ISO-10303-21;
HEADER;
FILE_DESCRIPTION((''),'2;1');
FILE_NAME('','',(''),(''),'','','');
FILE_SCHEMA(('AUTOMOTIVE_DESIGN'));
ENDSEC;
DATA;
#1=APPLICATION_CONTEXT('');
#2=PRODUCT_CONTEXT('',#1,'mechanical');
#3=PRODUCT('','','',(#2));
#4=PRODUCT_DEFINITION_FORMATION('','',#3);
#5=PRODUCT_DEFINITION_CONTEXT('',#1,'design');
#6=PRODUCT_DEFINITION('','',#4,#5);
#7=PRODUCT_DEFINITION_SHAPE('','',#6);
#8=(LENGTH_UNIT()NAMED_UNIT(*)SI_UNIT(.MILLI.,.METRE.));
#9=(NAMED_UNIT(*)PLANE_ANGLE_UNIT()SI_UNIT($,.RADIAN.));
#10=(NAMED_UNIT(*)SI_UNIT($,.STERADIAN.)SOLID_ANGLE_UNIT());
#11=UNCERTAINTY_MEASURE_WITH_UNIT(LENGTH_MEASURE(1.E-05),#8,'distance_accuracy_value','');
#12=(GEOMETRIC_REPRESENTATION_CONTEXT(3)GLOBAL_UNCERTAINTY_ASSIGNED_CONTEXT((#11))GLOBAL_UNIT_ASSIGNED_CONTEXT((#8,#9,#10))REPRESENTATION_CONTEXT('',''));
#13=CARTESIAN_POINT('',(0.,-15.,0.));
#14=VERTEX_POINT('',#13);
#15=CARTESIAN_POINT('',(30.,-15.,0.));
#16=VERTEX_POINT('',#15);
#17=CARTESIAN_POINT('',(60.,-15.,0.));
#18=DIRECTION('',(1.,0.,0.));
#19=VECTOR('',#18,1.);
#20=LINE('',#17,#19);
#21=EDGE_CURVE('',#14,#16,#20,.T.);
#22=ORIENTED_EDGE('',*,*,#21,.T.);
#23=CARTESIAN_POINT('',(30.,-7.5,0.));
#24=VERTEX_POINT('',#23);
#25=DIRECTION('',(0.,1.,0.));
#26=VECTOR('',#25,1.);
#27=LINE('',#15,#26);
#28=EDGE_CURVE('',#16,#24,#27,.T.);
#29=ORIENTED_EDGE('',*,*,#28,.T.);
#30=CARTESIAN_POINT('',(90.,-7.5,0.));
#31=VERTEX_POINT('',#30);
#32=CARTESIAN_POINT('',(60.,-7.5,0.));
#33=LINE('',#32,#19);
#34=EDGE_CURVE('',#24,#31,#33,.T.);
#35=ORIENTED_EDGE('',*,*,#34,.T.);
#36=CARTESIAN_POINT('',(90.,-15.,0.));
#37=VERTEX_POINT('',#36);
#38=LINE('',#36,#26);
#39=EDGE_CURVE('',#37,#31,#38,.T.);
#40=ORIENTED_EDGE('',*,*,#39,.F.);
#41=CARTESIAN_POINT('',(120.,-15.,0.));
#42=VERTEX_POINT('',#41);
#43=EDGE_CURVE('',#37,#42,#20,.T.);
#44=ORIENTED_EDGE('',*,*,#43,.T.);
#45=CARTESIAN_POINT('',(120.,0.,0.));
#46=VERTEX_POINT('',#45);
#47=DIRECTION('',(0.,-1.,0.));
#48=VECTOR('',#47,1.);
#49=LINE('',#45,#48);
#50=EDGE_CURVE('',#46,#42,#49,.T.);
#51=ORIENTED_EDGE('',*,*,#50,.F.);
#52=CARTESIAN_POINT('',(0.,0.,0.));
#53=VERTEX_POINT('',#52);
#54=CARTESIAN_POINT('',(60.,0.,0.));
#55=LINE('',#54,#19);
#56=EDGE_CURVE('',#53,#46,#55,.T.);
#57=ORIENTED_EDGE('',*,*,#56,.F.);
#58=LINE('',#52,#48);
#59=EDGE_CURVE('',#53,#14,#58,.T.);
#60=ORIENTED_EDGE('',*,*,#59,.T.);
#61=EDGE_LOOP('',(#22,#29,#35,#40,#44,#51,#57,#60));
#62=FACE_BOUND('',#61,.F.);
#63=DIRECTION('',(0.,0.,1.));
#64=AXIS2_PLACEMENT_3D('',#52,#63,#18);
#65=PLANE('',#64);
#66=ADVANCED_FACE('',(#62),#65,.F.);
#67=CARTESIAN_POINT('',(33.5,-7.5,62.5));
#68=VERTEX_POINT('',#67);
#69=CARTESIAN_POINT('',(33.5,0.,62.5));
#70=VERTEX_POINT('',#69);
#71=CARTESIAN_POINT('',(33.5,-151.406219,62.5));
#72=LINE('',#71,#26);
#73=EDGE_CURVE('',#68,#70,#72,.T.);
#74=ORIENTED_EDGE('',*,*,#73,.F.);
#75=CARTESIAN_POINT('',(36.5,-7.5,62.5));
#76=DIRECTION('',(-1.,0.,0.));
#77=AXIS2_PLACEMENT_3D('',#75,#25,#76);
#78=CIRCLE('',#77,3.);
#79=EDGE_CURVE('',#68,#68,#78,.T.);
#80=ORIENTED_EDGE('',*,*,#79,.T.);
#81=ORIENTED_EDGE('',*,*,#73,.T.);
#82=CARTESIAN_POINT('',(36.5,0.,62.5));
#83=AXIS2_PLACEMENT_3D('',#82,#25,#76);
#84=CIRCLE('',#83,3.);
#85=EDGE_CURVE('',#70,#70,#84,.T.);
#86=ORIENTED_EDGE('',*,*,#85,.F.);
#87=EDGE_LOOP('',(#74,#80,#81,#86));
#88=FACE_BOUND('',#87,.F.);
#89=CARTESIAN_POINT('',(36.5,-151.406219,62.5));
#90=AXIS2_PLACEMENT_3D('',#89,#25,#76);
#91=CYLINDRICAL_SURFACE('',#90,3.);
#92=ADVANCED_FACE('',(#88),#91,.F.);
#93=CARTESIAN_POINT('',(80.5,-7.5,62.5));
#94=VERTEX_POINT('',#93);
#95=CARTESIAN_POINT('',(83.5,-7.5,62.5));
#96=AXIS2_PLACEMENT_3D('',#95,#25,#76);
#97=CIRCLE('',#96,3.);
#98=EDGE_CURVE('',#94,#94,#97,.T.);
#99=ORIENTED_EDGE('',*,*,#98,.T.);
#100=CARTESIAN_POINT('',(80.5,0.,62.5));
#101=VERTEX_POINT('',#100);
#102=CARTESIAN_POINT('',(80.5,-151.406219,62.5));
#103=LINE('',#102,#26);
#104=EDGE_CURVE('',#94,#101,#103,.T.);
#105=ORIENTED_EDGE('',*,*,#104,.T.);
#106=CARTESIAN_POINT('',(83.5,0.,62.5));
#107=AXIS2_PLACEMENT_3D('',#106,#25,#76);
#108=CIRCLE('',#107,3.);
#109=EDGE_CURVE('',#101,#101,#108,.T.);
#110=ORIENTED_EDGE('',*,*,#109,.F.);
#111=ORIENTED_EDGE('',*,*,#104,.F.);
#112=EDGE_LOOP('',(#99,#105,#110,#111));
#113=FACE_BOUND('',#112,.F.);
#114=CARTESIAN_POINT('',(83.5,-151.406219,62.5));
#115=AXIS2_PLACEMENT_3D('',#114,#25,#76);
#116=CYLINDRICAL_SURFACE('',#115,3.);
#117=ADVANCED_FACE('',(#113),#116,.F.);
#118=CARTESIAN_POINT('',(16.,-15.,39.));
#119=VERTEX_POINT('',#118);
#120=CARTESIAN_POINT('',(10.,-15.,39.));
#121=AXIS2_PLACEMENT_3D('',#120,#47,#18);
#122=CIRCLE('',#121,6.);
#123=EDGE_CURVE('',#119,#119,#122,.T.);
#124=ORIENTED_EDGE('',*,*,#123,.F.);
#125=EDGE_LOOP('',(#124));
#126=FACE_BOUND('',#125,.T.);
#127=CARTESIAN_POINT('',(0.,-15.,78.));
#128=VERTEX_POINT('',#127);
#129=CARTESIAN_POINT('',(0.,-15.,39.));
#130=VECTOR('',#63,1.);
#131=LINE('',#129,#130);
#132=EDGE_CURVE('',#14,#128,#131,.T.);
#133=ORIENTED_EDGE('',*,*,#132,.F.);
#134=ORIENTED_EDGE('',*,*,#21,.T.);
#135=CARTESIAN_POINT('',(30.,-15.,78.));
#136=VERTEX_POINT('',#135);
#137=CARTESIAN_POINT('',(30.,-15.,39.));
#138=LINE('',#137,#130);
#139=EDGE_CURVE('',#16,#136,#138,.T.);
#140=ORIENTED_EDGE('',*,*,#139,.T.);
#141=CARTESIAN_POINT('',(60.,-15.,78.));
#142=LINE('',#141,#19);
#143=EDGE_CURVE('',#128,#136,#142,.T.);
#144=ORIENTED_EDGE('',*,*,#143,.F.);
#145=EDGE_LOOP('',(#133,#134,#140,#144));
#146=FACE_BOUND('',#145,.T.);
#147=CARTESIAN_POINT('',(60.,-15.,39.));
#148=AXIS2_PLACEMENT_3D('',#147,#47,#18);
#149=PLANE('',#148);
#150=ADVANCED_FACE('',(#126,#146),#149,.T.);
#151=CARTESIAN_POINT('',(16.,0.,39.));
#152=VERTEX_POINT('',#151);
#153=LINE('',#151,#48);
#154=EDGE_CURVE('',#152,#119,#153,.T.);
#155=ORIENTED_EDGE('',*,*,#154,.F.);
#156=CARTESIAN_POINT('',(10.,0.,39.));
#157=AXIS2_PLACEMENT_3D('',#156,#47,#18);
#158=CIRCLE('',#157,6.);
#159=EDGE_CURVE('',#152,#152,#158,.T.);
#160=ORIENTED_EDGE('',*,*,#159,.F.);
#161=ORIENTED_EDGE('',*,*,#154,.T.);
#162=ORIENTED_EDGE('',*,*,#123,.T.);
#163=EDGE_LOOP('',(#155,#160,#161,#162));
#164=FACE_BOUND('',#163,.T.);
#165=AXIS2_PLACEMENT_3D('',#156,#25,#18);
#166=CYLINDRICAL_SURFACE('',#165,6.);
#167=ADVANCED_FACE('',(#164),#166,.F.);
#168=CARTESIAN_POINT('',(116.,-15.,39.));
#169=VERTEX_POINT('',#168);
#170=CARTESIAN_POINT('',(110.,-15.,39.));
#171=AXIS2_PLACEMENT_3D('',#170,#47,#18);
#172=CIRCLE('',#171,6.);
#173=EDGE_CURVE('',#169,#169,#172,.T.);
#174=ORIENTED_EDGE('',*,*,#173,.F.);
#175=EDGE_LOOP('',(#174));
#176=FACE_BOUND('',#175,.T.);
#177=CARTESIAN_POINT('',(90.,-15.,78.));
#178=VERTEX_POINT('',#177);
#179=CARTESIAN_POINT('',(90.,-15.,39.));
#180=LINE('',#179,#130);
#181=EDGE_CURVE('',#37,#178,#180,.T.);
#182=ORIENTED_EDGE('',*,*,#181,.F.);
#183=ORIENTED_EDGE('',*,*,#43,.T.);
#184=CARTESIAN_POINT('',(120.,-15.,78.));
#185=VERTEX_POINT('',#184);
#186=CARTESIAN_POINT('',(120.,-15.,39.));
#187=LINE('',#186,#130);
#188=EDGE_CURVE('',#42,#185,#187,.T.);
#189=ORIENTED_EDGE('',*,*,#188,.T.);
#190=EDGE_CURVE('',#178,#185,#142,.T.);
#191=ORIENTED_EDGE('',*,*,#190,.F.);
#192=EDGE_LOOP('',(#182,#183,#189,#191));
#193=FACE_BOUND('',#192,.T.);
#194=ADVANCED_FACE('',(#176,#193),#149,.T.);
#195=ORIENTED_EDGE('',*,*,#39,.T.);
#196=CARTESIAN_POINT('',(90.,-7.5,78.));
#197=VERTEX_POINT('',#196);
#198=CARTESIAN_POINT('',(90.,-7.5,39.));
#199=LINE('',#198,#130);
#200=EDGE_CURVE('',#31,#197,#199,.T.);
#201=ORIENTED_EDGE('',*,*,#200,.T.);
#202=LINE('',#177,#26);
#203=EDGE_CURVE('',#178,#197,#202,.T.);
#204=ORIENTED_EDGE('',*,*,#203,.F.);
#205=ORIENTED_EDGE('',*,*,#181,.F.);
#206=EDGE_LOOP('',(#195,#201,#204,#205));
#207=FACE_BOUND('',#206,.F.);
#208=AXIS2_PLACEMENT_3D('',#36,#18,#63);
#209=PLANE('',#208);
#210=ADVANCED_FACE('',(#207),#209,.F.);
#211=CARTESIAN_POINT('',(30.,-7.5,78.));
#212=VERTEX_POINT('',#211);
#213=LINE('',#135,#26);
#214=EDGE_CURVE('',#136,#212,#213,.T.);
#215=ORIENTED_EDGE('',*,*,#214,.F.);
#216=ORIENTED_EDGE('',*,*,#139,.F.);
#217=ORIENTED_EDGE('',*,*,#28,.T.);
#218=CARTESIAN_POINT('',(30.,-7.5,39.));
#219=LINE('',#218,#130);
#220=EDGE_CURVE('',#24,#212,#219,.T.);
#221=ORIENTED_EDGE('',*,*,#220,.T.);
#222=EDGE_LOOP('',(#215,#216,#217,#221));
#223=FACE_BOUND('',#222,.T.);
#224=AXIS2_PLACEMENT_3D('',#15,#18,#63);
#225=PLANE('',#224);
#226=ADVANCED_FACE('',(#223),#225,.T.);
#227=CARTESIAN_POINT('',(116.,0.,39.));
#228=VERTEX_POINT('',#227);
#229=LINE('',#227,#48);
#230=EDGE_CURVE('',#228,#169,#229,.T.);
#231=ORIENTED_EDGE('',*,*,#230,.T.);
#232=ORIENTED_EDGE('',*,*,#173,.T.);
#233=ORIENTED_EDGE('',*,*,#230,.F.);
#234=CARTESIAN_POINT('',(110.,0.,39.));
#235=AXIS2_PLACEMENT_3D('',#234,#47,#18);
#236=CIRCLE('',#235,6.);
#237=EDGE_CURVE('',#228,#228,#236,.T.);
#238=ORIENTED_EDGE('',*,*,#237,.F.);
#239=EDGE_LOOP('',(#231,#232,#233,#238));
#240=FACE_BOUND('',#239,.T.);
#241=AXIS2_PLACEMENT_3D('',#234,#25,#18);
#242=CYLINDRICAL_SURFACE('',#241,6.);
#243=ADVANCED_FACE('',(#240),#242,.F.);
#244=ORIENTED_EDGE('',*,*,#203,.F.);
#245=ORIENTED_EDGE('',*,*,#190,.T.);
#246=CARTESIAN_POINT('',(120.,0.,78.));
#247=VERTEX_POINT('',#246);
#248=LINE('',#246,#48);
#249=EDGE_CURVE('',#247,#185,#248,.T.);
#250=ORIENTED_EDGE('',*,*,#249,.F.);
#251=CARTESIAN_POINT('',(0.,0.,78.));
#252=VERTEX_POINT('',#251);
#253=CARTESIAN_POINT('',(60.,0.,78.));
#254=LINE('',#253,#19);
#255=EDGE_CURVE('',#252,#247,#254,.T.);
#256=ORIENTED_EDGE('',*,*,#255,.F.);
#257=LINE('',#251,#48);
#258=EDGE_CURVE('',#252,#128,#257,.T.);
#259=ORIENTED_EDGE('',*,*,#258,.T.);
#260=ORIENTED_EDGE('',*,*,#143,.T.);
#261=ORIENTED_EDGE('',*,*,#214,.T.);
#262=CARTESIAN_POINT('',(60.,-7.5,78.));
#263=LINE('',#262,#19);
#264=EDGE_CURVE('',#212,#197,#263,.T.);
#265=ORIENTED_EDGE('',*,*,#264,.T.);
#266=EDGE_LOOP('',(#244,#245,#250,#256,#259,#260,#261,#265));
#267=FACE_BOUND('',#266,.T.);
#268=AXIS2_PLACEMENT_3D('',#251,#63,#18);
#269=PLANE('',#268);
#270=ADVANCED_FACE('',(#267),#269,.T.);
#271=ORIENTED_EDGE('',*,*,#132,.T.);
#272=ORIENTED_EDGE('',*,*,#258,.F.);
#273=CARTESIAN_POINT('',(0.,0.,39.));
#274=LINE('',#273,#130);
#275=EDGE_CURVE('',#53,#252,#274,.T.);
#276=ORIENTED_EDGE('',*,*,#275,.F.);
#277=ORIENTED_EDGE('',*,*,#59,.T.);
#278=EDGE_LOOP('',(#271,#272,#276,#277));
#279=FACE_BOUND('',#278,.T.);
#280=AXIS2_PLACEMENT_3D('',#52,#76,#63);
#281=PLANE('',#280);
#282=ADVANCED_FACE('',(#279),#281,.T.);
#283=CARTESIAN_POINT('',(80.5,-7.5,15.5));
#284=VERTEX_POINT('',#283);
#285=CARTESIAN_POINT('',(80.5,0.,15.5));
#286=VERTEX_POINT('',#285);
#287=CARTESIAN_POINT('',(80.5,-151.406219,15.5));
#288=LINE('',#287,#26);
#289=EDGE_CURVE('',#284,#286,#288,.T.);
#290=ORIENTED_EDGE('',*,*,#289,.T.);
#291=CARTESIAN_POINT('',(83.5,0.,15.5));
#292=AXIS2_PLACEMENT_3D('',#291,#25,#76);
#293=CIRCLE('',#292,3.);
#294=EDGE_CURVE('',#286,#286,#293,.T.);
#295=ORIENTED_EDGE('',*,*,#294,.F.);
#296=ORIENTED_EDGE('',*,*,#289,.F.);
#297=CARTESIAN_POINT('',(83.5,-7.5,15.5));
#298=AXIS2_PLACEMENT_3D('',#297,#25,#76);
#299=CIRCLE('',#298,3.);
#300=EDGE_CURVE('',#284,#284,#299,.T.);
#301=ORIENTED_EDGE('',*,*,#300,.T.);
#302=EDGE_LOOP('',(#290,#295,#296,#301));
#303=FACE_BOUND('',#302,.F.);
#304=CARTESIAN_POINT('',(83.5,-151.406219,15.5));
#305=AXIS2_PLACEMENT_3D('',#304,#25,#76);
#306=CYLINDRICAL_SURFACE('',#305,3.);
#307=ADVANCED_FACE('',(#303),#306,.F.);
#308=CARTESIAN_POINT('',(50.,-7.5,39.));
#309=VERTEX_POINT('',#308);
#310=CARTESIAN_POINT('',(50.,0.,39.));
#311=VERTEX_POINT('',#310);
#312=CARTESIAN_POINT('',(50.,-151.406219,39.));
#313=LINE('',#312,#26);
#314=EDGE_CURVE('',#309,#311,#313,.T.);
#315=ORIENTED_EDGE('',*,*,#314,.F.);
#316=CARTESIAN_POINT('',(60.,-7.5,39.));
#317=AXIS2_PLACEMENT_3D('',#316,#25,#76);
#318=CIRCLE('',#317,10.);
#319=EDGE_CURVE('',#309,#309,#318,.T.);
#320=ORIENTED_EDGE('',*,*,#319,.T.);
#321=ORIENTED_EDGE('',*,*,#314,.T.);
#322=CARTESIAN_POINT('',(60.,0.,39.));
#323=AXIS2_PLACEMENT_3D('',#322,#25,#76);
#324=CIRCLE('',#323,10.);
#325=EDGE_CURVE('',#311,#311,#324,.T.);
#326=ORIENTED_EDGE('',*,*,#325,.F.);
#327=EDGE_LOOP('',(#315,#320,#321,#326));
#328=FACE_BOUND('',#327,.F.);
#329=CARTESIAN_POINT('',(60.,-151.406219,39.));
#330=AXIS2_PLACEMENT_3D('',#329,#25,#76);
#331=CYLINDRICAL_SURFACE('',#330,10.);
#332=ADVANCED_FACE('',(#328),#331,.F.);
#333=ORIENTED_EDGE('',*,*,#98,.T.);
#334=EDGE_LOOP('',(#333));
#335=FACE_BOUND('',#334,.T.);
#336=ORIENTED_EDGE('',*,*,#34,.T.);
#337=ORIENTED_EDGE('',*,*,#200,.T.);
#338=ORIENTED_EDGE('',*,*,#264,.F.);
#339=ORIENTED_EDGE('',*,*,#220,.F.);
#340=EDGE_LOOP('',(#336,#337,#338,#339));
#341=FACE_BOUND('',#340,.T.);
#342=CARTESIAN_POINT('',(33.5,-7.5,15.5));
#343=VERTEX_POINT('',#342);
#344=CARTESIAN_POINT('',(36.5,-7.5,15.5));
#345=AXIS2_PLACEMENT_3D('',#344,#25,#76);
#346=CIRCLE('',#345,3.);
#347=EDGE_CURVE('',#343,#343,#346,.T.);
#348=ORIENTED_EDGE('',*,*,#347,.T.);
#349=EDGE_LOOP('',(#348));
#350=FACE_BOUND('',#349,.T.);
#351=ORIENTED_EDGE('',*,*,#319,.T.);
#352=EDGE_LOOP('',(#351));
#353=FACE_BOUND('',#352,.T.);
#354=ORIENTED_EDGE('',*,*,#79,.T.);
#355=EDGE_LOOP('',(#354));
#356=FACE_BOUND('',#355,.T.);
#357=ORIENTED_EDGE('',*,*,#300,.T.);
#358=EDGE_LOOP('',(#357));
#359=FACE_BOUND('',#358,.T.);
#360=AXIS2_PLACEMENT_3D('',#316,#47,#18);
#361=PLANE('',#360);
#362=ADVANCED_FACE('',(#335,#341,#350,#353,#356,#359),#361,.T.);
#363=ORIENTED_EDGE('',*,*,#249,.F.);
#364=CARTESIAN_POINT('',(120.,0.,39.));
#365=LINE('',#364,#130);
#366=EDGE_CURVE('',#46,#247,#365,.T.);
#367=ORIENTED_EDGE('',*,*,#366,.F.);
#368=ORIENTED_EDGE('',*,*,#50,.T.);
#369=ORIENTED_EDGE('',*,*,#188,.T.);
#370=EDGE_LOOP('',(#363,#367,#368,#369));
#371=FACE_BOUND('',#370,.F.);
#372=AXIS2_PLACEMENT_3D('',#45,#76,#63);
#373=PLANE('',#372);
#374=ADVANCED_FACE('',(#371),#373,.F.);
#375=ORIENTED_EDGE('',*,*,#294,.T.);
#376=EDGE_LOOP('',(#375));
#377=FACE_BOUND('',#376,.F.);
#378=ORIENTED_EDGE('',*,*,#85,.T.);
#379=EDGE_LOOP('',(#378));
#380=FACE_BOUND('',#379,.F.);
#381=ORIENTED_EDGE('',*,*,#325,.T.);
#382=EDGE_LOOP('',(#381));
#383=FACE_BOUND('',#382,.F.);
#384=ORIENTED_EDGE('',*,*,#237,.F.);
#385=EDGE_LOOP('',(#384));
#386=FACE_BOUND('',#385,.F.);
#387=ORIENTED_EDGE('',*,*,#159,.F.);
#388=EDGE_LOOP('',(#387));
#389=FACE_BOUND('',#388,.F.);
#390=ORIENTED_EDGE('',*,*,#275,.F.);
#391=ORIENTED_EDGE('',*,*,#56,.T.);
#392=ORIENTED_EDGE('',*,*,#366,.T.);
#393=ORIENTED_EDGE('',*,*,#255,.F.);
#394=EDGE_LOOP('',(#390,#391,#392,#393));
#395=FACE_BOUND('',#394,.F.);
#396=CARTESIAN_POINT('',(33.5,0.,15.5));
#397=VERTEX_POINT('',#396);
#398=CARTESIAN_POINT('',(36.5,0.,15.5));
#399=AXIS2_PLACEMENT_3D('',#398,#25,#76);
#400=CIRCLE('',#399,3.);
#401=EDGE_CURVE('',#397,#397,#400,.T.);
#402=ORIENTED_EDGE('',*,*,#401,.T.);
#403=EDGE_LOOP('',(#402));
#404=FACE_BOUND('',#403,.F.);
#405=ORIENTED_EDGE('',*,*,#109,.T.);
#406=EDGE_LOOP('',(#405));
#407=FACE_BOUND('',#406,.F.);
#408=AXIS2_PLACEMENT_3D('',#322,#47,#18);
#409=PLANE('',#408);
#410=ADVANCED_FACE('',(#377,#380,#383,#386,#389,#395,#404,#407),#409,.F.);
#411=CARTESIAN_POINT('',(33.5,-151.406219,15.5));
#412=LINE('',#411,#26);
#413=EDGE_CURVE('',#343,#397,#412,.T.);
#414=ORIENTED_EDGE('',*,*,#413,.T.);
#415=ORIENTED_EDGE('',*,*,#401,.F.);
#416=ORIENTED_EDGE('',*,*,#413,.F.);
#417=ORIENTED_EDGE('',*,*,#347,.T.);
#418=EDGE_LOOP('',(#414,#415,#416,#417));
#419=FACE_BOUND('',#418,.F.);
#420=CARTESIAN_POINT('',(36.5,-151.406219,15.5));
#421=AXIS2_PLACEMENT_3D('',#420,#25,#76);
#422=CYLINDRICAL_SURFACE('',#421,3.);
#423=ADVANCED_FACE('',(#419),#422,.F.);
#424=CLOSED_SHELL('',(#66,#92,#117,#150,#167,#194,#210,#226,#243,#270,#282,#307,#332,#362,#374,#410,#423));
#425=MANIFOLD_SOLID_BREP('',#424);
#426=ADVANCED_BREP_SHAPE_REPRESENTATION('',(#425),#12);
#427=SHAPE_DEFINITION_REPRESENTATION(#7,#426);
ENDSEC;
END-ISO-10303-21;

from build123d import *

# Parameters (mm, degrees)
F0_W     = 120
F0_H     = 78
F0_R     = 6
F1_DEPTH = 15
F2_W     = 60
F2_H     = 78
F3_DEPTH = 7.5
F5_D     = 6
F7_D     = 20


with BuildPart() as f1:
    # F0 (on Front) → F1 (new body)
    with BuildSketch(Plane.XZ):
        with Locations((60, 39)):
            Rectangle(F0_W, F0_H)
        with Locations((10, 39)):
            Circle(F0_R, mode=Mode.SUBTRACT)
        with Locations((110, 39)):
            Circle(F0_R, mode=Mode.SUBTRACT)
    extrude(amount=F1_DEPTH)

    # F2 (on face) → F3 (cut)
    with BuildSketch(Plane.XZ.offset(15)):
        with Locations((60, 39)):
            Rectangle(F2_W, F2_H)
    extrude(amount=-F3_DEPTH, mode=Mode.SUBTRACT)

    # F5 (through all)
    with Locations(Plane.XZ.offset(7.5)):
        with Locations((36.5, 62.5), (36.5, 15.5), (83.5, 15.5), (83.5, 62.5)):
            Hole(F5_D / 2)

    # F7 (through all)
    with Locations(Plane.XZ.offset(7.5)):
        with Locations((60, 39)):
            Hole(F7_D / 2)


solid = f1.part
